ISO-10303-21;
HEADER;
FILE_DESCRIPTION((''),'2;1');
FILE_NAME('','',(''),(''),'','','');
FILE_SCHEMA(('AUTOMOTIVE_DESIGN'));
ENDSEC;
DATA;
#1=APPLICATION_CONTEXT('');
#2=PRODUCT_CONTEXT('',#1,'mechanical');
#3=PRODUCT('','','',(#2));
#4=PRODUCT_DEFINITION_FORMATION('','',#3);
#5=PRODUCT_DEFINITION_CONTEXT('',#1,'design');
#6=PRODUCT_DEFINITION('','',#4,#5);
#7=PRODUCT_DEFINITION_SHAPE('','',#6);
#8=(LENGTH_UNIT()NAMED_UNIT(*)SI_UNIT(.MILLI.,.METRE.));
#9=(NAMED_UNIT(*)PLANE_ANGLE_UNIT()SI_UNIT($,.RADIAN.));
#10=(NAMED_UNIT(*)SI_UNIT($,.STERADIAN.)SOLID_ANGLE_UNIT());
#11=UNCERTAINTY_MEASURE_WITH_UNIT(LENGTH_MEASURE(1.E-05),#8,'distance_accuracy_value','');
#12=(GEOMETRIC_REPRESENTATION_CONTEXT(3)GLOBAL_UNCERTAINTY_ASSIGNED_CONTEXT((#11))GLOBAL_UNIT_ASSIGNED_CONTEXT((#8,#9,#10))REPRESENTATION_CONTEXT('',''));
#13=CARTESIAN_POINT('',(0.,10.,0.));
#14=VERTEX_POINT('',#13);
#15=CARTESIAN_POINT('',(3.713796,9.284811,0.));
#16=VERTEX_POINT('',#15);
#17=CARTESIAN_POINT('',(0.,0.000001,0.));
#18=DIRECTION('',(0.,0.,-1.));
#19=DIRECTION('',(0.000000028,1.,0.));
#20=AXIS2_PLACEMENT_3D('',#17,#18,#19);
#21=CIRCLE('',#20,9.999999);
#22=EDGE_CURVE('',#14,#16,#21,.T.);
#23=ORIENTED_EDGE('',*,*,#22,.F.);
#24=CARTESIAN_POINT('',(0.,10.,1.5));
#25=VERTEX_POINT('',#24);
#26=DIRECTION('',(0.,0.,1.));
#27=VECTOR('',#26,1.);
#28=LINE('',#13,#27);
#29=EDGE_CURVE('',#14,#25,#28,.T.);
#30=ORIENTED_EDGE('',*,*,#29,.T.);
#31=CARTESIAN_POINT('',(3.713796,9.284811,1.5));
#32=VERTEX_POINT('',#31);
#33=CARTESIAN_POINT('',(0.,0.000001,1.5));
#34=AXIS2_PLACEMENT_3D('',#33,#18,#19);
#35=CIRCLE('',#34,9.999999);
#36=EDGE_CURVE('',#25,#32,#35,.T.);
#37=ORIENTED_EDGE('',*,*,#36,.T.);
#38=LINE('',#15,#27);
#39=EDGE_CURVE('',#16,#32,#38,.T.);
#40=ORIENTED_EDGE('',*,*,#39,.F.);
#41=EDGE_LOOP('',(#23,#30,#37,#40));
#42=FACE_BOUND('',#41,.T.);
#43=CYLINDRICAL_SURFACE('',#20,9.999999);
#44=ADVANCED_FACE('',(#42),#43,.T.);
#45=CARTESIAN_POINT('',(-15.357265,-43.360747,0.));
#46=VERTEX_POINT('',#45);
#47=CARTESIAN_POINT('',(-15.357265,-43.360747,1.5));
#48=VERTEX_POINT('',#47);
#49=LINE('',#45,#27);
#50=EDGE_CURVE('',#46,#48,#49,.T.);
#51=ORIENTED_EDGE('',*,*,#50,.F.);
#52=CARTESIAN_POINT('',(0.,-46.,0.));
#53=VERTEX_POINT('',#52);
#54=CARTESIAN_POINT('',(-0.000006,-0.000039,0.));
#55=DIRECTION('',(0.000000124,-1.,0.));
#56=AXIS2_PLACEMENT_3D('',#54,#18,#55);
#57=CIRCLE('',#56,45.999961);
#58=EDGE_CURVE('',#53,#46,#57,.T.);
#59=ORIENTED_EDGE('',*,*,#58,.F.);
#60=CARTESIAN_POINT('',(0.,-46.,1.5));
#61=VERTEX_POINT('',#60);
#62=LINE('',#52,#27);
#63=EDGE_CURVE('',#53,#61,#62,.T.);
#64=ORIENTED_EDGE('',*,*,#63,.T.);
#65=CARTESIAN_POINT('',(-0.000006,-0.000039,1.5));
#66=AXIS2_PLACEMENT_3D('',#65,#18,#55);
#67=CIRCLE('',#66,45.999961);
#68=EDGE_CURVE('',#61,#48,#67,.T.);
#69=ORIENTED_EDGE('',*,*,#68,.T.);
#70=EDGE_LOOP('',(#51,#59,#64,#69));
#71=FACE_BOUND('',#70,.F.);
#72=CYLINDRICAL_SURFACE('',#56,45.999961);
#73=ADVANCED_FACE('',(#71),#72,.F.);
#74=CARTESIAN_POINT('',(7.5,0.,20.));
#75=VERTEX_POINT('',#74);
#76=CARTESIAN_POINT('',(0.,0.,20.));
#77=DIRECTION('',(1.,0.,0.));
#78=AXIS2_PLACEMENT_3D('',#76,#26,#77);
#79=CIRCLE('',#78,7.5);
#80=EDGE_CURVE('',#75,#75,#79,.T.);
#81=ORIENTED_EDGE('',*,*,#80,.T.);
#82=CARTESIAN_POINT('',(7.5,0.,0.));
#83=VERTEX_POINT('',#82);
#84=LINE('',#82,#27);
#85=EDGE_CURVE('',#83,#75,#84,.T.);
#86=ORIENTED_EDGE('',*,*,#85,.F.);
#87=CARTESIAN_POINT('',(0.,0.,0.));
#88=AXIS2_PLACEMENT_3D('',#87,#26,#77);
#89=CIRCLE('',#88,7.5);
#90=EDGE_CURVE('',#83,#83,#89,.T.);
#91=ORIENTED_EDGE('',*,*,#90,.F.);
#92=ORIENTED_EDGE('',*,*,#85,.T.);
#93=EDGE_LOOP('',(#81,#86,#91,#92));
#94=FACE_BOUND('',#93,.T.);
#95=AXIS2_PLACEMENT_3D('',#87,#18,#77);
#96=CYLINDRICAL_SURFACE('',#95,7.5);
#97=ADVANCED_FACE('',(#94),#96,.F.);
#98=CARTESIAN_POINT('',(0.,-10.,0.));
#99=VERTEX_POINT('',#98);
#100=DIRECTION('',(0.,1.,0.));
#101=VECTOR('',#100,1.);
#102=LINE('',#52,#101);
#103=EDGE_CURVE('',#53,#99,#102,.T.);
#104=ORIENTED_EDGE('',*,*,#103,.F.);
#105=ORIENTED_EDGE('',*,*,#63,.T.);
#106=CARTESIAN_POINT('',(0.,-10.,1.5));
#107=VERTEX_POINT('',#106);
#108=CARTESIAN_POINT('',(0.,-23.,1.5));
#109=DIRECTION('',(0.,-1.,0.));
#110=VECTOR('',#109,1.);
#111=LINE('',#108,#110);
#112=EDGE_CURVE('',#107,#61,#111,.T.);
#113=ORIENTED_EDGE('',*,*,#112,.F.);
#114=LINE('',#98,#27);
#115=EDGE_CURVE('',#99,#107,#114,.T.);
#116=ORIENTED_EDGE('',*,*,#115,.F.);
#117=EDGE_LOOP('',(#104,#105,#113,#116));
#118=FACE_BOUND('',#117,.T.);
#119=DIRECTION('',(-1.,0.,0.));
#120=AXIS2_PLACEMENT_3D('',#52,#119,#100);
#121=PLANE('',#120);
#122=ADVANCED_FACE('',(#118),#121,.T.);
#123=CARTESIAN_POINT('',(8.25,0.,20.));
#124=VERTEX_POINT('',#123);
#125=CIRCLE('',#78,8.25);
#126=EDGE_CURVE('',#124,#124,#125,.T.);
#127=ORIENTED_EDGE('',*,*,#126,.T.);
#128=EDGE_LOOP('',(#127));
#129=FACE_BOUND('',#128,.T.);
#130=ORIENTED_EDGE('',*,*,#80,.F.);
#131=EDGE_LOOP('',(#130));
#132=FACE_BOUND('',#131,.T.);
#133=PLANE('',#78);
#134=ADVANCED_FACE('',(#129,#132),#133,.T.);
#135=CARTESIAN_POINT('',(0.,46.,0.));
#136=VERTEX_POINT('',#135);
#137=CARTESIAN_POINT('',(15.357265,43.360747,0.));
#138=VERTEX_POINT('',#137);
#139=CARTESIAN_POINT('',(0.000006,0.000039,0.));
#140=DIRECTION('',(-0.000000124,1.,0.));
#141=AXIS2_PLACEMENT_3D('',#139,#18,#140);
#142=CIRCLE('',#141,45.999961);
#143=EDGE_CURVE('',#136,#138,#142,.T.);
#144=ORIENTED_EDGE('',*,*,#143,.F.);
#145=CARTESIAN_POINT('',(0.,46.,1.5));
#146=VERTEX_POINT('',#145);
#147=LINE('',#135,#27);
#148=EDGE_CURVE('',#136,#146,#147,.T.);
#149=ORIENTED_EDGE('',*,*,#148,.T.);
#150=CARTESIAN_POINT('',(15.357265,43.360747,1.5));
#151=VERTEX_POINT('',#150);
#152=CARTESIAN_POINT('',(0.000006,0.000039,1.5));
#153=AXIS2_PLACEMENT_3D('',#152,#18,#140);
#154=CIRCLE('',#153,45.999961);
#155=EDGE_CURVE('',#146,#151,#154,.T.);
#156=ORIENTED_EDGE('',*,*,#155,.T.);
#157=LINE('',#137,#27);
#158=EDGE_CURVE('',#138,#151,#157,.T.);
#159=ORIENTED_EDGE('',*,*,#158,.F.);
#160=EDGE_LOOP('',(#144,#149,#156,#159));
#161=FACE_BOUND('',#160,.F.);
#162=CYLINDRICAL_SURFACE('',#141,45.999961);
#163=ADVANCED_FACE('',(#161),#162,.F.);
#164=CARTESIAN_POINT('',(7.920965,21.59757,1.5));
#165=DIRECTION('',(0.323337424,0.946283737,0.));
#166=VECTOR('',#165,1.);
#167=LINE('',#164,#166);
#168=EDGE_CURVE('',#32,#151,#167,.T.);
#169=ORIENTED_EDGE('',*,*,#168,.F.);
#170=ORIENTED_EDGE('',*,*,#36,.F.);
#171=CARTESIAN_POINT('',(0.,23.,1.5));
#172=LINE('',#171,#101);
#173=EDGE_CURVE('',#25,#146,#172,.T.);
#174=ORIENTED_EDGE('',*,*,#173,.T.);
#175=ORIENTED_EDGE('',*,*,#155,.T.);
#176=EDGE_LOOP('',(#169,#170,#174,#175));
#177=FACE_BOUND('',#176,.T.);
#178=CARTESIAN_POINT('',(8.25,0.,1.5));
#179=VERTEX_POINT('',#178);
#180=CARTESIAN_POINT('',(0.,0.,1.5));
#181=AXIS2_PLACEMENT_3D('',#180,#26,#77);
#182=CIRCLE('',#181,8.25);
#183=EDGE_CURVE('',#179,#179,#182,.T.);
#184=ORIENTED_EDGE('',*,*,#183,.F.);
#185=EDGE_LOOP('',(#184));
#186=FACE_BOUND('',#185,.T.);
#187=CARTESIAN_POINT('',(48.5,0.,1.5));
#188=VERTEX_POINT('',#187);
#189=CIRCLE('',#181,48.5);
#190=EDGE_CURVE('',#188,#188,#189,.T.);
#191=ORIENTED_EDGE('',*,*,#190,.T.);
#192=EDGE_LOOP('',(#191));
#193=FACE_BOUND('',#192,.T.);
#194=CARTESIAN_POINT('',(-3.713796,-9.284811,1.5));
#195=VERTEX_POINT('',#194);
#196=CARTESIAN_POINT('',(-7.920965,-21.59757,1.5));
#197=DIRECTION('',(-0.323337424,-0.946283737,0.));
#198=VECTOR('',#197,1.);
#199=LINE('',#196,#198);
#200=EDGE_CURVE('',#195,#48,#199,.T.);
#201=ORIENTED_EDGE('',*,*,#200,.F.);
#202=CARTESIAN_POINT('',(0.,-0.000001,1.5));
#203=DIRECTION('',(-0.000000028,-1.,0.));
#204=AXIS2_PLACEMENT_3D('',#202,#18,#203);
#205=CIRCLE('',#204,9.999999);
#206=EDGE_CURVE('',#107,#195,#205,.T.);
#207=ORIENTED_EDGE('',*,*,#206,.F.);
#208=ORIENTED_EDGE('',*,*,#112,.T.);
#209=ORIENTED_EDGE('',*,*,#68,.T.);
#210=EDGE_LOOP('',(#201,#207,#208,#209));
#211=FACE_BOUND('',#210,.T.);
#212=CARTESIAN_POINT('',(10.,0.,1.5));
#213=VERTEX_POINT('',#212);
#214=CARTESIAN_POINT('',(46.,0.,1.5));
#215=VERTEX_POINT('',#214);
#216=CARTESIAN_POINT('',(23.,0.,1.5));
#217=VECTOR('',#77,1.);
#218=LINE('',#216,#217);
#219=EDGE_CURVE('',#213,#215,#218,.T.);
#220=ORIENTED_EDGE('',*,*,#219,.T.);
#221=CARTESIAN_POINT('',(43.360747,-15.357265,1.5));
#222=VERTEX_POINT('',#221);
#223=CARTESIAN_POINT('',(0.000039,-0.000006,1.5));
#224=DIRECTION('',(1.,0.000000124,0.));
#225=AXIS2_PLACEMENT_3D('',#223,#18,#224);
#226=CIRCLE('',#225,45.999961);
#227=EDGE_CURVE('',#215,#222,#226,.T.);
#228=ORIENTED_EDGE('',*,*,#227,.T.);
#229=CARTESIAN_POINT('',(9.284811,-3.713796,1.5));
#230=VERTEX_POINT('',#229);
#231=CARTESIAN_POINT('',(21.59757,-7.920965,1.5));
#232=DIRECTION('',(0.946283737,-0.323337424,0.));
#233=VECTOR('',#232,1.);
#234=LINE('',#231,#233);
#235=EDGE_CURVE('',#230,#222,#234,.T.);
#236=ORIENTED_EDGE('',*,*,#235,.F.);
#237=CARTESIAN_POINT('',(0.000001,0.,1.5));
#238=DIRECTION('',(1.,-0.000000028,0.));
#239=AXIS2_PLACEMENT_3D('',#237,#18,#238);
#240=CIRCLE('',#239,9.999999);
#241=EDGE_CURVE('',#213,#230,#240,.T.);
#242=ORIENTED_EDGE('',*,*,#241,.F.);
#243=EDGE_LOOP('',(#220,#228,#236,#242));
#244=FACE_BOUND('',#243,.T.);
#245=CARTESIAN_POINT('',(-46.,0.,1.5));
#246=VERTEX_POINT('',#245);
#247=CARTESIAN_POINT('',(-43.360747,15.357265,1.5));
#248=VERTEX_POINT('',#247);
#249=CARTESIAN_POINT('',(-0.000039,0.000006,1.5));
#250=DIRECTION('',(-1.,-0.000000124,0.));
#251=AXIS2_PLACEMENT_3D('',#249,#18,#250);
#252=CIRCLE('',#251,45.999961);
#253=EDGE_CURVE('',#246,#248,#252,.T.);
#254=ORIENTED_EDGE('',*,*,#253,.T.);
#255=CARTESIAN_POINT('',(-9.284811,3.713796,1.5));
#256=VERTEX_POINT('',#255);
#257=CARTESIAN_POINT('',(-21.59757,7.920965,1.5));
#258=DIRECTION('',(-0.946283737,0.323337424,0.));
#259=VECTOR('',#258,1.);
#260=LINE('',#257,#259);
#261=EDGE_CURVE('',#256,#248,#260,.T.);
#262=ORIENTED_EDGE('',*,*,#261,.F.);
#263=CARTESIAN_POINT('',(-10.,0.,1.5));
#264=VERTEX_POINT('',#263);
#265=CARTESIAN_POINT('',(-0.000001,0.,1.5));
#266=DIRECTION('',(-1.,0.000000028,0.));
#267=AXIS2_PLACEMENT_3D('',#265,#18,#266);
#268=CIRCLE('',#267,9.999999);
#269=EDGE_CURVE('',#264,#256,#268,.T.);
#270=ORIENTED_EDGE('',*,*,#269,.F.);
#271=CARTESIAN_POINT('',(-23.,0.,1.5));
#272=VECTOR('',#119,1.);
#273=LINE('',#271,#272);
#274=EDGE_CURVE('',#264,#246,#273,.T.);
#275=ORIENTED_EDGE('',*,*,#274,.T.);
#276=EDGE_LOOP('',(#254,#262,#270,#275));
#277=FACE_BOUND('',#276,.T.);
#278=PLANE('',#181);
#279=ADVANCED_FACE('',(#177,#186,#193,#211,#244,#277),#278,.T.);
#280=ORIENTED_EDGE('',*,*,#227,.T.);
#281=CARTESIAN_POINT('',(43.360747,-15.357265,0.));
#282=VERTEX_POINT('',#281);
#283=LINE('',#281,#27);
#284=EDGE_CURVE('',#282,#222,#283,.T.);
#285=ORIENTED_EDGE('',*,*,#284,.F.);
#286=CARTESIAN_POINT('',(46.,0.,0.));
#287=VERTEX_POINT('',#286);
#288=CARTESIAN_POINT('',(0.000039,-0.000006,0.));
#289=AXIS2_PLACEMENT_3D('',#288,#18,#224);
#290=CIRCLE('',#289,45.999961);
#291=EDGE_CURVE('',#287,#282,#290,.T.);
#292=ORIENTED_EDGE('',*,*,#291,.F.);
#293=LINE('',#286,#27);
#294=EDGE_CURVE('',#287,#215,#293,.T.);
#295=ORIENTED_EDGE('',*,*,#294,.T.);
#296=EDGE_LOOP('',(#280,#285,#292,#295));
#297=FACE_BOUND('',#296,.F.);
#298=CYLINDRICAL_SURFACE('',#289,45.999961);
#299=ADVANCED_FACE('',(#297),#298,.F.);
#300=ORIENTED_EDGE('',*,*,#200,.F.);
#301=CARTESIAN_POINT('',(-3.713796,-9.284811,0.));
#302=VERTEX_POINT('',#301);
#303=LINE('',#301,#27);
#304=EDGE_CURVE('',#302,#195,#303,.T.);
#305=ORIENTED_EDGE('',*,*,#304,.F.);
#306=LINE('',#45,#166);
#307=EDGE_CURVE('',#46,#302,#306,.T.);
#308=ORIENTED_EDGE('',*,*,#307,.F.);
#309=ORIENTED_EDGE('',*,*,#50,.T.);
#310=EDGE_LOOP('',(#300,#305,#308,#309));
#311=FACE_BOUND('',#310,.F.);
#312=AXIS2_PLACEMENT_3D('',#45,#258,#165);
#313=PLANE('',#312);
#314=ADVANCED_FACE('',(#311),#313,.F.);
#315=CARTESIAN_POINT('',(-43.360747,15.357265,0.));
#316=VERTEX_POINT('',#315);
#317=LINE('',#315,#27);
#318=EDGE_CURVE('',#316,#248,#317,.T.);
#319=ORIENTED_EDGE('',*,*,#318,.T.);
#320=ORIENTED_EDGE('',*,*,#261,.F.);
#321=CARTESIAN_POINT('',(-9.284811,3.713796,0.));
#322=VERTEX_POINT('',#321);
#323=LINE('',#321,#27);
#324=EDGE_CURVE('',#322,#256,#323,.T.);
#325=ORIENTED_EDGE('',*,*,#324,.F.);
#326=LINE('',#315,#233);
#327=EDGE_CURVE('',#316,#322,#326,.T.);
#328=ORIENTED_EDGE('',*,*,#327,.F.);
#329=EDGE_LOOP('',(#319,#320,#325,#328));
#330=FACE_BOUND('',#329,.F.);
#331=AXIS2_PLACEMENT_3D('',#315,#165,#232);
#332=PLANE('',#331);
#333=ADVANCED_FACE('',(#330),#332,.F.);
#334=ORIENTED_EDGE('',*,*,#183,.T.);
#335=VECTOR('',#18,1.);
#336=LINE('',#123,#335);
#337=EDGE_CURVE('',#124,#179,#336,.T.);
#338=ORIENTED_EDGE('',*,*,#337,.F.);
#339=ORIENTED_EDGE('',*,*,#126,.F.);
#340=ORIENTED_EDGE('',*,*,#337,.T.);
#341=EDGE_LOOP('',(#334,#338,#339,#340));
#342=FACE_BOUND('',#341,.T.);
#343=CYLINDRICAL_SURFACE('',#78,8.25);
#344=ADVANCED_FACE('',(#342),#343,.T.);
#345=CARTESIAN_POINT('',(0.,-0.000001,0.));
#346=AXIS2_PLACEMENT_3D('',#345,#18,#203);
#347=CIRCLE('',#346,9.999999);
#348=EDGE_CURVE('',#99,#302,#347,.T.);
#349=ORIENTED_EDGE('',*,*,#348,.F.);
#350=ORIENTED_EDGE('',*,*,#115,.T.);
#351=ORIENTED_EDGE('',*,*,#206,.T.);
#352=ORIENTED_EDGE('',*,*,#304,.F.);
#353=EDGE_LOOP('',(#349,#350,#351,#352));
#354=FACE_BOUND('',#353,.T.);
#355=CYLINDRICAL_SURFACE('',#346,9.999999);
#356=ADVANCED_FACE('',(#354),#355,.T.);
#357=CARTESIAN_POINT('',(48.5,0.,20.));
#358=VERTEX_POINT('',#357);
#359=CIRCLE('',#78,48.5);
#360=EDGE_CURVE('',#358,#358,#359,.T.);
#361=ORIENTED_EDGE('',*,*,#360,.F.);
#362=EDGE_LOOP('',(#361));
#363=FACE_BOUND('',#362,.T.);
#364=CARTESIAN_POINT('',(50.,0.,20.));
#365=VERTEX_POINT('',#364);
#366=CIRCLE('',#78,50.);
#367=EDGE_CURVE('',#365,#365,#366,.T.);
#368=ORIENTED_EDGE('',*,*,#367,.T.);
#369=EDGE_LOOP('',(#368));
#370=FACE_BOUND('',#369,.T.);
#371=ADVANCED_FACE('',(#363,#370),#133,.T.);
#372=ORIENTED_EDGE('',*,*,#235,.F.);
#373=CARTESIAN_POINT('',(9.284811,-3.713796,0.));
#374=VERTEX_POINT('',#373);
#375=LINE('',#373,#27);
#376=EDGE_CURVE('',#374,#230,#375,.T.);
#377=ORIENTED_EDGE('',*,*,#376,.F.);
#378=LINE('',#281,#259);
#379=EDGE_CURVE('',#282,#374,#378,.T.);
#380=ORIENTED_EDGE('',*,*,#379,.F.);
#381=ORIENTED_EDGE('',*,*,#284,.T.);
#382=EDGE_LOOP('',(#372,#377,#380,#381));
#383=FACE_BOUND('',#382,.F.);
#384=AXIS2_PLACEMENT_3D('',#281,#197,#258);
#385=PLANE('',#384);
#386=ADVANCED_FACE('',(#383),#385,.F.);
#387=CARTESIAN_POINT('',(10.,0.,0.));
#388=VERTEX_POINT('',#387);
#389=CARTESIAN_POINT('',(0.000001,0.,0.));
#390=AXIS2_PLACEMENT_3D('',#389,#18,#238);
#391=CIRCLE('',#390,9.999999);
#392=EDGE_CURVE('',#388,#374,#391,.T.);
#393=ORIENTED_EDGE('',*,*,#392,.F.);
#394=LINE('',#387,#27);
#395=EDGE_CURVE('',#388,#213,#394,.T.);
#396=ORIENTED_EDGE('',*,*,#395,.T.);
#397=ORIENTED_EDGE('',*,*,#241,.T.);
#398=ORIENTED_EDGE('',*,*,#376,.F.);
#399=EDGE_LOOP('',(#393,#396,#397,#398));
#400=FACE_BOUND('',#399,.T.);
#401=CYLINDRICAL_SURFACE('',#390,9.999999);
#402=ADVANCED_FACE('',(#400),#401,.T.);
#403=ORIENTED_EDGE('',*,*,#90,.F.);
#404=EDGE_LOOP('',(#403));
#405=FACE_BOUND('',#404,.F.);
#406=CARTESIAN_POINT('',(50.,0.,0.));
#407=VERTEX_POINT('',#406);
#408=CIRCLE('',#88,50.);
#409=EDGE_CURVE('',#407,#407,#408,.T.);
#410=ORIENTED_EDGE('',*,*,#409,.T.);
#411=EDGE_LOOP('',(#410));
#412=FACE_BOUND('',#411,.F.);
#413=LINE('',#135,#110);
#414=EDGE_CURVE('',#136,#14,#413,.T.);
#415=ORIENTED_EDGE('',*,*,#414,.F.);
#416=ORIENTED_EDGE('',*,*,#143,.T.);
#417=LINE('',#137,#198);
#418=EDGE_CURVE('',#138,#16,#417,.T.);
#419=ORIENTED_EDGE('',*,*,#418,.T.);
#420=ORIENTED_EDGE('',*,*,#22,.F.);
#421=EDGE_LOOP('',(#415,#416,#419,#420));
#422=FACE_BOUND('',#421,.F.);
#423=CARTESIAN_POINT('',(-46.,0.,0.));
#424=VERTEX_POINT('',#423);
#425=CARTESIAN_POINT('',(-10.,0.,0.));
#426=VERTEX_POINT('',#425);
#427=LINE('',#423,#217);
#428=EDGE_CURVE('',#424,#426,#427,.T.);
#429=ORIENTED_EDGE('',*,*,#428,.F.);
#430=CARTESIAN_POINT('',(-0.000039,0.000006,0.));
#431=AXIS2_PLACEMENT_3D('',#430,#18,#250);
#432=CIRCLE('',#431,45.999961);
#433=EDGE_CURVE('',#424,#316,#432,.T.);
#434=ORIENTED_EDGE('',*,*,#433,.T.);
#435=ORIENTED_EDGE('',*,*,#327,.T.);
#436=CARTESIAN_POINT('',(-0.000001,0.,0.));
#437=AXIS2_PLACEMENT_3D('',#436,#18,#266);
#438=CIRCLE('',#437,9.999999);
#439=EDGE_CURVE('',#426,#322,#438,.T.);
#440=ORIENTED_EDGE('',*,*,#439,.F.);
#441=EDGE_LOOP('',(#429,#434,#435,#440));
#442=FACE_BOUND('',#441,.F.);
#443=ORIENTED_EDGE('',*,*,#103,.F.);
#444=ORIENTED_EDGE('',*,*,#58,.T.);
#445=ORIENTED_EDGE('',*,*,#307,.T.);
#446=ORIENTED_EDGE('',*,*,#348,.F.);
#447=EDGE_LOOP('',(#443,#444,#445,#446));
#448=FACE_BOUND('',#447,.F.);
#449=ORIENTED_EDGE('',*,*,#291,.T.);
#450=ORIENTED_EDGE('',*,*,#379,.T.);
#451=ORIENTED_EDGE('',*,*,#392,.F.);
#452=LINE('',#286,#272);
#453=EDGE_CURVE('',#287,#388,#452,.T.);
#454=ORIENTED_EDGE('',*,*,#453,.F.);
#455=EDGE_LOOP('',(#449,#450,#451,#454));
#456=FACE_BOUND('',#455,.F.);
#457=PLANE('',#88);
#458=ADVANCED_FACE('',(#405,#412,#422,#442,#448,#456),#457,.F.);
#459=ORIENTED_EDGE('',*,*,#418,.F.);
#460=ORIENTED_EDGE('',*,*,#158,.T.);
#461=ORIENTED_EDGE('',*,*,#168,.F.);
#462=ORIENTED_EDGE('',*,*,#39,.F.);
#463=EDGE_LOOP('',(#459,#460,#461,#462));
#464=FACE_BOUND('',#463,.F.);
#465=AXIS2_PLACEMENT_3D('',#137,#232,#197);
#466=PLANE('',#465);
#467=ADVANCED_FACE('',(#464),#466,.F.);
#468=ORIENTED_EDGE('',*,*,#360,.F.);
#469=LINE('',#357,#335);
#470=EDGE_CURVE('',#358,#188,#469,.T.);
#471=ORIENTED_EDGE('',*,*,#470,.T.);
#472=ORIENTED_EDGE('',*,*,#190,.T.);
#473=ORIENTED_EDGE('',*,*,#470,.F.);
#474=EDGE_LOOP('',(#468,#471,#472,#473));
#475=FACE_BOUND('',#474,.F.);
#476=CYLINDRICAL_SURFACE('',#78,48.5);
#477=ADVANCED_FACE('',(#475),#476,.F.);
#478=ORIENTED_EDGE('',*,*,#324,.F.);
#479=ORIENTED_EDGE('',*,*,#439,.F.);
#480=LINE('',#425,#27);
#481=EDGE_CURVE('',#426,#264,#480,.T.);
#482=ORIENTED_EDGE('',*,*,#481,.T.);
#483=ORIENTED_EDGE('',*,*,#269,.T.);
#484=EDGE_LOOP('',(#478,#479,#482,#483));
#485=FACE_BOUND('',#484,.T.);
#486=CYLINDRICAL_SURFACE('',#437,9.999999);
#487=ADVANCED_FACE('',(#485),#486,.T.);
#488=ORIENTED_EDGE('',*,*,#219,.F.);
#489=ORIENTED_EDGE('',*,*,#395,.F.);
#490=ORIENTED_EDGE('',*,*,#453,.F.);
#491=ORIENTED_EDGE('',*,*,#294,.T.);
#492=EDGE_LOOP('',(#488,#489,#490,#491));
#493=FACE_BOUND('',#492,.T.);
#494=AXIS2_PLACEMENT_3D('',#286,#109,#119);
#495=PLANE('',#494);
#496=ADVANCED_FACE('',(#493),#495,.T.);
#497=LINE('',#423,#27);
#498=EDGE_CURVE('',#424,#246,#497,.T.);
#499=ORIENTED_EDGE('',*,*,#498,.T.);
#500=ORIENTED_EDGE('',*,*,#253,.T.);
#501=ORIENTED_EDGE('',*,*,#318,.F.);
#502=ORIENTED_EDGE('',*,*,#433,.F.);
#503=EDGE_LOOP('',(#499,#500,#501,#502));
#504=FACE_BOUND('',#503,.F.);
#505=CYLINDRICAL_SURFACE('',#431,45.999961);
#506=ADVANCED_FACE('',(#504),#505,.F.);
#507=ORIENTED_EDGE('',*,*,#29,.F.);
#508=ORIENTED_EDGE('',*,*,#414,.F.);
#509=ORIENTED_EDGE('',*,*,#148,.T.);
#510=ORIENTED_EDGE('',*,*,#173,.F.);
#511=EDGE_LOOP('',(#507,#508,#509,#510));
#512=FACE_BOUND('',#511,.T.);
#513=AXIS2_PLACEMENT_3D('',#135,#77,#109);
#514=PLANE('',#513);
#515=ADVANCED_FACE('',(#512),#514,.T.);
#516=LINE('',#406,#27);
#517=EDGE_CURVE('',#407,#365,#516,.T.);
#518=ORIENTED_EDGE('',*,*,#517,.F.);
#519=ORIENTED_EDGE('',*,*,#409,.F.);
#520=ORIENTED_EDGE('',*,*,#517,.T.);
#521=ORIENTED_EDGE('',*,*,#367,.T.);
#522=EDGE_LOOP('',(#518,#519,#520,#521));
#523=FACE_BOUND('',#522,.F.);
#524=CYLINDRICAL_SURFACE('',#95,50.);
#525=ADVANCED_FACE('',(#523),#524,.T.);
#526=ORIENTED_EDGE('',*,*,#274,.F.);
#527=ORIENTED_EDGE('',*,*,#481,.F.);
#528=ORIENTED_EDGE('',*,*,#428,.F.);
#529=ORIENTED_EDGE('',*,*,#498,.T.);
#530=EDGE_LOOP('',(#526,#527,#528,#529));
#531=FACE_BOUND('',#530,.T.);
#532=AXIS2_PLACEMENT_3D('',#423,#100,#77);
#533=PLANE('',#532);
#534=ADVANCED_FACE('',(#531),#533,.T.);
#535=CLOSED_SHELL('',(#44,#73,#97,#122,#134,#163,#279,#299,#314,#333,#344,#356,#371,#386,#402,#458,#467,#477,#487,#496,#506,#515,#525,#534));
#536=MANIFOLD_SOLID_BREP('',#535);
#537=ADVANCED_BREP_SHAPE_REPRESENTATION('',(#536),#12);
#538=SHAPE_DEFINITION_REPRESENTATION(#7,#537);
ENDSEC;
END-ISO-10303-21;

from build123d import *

# Parameters (mm, degrees)
SKETCH_R           = 50
SKETCH_R_2         = 7.5
PAD_DEPTH          = 20
SKETCH001_R        = 48.5
SKETCH001_R_2      = 8.25
POCKET_DEPTH       = 18.5
POCKET001_DEPTH    = 5
POLARPATTERN_COUNT = 4


with BuildPart() as part:
    # Sketch → Pad (new body)
    with BuildSketch(Plane.XY):
        Circle(SKETCH_R)
        Circle(SKETCH_R_2, mode=Mode.SUBTRACT)
    extrude(amount=PAD_DEPTH)

    # Sketch001 (on Face4 of Pad) → Pocket (cut)
    with BuildSketch(Plane.XY.offset(20)):
        Circle(SKETCH001_R)
        Circle(SKETCH001_R_2, mode=Mode.SUBTRACT)
    extrude(amount=-POCKET_DEPTH, mode=Mode.SUBTRACT)

    # Sketch002 (on Face2 of Pocket) → Pocket001 (cut)
    with BuildSketch(Plane(origin=(0, 0, 0), x_dir=(1, 0, 0), z_dir=(0, 0, -1))):
        with BuildLine():
            ThreePointArc((0, 46), (-7.791201, 45.335386), (-15.357265, 43.360747))
            Line((-15.357265, 43.360747), (-3.713796, 9.284811))
            ThreePointArc((0, 10), (-1.891017, 9.819575), (-3.713796, 9.284811))
            Line((0, 46), (0, 10))
        make_face()
    pocket001 = extrude(amount=-POCKET001_DEPTH, mode=Mode.SUBTRACT)

    # PolarPattern: Pocket001 ×4 about axis
    polarpattern_axis = Axis((0, 0, 0), (0, 0, -1))
    for i in range(1, POLARPATTERN_COUNT):
        add(pocket001.rotate(polarpattern_axis, i * 360 / POLARPATTERN_COUNT), mode=Mode.SUBTRACT)


solid = part.part
